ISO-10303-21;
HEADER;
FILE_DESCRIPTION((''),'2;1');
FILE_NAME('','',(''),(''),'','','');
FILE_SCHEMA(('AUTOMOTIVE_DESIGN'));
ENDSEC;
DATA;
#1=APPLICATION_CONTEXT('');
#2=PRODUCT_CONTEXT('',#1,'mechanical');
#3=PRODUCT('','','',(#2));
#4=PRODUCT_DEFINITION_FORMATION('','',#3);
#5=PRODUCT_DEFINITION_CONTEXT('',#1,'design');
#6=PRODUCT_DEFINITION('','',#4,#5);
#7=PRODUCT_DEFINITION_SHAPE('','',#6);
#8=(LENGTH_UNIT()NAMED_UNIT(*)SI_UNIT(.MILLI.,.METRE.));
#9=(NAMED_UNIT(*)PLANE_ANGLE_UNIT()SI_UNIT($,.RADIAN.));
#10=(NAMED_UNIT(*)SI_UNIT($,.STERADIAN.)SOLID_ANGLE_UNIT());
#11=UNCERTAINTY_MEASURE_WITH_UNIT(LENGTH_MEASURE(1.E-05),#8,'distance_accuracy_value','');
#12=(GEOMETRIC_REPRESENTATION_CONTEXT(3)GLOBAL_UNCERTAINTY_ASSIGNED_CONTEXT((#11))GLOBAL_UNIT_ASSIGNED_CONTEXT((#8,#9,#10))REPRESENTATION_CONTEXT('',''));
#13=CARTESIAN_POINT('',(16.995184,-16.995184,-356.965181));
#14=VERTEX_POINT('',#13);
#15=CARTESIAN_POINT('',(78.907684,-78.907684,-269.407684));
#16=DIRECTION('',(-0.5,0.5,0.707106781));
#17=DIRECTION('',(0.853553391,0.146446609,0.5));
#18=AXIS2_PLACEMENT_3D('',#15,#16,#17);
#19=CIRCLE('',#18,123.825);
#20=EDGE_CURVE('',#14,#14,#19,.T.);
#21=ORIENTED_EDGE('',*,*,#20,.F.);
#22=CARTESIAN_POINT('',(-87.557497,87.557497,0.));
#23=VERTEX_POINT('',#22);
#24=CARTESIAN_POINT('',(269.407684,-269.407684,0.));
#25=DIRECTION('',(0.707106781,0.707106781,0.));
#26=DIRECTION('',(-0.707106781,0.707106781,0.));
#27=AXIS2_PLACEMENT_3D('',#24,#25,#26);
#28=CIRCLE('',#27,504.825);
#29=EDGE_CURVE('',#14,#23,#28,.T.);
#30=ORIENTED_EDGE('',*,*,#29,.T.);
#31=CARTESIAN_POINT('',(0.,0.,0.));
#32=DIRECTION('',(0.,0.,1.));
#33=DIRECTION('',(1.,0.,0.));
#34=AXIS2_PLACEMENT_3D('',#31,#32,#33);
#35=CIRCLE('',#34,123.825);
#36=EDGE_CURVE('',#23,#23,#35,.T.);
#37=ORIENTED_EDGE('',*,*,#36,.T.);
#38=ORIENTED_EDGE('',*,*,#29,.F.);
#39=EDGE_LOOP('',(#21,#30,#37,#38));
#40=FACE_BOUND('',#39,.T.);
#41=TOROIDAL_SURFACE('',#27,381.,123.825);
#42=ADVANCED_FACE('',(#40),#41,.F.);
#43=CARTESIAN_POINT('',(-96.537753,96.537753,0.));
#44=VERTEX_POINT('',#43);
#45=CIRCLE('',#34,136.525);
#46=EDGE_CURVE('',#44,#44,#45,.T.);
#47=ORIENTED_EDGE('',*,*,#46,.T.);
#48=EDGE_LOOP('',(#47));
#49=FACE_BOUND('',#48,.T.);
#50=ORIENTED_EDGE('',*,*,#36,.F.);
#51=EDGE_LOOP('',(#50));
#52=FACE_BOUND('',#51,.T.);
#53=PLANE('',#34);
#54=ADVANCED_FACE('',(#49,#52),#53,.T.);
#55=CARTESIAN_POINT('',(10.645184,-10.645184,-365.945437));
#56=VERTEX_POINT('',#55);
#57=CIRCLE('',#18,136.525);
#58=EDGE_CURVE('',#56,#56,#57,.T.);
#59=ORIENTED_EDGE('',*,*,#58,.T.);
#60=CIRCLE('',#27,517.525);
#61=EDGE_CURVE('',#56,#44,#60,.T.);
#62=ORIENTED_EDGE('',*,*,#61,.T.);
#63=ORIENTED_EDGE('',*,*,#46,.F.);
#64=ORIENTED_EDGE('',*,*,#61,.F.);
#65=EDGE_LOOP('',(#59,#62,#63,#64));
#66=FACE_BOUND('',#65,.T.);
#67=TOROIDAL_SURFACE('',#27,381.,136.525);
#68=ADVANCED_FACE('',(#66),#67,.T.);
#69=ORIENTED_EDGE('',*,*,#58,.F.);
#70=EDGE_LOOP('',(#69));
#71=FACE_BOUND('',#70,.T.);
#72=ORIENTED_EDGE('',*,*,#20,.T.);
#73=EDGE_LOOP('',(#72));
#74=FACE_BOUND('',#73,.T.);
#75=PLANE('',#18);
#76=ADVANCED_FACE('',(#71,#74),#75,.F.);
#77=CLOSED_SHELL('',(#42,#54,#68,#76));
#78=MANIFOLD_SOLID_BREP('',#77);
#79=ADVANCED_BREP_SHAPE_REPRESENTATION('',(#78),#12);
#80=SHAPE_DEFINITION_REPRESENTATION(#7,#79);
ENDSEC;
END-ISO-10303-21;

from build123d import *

# Parameters (mm, degrees)
PIPESKETCH_R   = 136.525
PIPESKETCH_R_2 = 123.825


with BuildPart() as part:
    # Sweep1: sweep along a curve in space
    with BuildLine() as sweep1_path:
        ThreePointArc((0, 0, 0), (20.507438823, -20.507438823, -145.802387731), (78.907683632, -78.907683632, -269.407683632))
    # PipeSketch → Sweep1 (sweep)
    with BuildSketch(Plane.XY):
        Circle(PIPESKETCH_R)
        Circle(PIPESKETCH_R_2, mode=Mode.SUBTRACT)
    sweep(path=sweep1_path.line)


solid = part.part
